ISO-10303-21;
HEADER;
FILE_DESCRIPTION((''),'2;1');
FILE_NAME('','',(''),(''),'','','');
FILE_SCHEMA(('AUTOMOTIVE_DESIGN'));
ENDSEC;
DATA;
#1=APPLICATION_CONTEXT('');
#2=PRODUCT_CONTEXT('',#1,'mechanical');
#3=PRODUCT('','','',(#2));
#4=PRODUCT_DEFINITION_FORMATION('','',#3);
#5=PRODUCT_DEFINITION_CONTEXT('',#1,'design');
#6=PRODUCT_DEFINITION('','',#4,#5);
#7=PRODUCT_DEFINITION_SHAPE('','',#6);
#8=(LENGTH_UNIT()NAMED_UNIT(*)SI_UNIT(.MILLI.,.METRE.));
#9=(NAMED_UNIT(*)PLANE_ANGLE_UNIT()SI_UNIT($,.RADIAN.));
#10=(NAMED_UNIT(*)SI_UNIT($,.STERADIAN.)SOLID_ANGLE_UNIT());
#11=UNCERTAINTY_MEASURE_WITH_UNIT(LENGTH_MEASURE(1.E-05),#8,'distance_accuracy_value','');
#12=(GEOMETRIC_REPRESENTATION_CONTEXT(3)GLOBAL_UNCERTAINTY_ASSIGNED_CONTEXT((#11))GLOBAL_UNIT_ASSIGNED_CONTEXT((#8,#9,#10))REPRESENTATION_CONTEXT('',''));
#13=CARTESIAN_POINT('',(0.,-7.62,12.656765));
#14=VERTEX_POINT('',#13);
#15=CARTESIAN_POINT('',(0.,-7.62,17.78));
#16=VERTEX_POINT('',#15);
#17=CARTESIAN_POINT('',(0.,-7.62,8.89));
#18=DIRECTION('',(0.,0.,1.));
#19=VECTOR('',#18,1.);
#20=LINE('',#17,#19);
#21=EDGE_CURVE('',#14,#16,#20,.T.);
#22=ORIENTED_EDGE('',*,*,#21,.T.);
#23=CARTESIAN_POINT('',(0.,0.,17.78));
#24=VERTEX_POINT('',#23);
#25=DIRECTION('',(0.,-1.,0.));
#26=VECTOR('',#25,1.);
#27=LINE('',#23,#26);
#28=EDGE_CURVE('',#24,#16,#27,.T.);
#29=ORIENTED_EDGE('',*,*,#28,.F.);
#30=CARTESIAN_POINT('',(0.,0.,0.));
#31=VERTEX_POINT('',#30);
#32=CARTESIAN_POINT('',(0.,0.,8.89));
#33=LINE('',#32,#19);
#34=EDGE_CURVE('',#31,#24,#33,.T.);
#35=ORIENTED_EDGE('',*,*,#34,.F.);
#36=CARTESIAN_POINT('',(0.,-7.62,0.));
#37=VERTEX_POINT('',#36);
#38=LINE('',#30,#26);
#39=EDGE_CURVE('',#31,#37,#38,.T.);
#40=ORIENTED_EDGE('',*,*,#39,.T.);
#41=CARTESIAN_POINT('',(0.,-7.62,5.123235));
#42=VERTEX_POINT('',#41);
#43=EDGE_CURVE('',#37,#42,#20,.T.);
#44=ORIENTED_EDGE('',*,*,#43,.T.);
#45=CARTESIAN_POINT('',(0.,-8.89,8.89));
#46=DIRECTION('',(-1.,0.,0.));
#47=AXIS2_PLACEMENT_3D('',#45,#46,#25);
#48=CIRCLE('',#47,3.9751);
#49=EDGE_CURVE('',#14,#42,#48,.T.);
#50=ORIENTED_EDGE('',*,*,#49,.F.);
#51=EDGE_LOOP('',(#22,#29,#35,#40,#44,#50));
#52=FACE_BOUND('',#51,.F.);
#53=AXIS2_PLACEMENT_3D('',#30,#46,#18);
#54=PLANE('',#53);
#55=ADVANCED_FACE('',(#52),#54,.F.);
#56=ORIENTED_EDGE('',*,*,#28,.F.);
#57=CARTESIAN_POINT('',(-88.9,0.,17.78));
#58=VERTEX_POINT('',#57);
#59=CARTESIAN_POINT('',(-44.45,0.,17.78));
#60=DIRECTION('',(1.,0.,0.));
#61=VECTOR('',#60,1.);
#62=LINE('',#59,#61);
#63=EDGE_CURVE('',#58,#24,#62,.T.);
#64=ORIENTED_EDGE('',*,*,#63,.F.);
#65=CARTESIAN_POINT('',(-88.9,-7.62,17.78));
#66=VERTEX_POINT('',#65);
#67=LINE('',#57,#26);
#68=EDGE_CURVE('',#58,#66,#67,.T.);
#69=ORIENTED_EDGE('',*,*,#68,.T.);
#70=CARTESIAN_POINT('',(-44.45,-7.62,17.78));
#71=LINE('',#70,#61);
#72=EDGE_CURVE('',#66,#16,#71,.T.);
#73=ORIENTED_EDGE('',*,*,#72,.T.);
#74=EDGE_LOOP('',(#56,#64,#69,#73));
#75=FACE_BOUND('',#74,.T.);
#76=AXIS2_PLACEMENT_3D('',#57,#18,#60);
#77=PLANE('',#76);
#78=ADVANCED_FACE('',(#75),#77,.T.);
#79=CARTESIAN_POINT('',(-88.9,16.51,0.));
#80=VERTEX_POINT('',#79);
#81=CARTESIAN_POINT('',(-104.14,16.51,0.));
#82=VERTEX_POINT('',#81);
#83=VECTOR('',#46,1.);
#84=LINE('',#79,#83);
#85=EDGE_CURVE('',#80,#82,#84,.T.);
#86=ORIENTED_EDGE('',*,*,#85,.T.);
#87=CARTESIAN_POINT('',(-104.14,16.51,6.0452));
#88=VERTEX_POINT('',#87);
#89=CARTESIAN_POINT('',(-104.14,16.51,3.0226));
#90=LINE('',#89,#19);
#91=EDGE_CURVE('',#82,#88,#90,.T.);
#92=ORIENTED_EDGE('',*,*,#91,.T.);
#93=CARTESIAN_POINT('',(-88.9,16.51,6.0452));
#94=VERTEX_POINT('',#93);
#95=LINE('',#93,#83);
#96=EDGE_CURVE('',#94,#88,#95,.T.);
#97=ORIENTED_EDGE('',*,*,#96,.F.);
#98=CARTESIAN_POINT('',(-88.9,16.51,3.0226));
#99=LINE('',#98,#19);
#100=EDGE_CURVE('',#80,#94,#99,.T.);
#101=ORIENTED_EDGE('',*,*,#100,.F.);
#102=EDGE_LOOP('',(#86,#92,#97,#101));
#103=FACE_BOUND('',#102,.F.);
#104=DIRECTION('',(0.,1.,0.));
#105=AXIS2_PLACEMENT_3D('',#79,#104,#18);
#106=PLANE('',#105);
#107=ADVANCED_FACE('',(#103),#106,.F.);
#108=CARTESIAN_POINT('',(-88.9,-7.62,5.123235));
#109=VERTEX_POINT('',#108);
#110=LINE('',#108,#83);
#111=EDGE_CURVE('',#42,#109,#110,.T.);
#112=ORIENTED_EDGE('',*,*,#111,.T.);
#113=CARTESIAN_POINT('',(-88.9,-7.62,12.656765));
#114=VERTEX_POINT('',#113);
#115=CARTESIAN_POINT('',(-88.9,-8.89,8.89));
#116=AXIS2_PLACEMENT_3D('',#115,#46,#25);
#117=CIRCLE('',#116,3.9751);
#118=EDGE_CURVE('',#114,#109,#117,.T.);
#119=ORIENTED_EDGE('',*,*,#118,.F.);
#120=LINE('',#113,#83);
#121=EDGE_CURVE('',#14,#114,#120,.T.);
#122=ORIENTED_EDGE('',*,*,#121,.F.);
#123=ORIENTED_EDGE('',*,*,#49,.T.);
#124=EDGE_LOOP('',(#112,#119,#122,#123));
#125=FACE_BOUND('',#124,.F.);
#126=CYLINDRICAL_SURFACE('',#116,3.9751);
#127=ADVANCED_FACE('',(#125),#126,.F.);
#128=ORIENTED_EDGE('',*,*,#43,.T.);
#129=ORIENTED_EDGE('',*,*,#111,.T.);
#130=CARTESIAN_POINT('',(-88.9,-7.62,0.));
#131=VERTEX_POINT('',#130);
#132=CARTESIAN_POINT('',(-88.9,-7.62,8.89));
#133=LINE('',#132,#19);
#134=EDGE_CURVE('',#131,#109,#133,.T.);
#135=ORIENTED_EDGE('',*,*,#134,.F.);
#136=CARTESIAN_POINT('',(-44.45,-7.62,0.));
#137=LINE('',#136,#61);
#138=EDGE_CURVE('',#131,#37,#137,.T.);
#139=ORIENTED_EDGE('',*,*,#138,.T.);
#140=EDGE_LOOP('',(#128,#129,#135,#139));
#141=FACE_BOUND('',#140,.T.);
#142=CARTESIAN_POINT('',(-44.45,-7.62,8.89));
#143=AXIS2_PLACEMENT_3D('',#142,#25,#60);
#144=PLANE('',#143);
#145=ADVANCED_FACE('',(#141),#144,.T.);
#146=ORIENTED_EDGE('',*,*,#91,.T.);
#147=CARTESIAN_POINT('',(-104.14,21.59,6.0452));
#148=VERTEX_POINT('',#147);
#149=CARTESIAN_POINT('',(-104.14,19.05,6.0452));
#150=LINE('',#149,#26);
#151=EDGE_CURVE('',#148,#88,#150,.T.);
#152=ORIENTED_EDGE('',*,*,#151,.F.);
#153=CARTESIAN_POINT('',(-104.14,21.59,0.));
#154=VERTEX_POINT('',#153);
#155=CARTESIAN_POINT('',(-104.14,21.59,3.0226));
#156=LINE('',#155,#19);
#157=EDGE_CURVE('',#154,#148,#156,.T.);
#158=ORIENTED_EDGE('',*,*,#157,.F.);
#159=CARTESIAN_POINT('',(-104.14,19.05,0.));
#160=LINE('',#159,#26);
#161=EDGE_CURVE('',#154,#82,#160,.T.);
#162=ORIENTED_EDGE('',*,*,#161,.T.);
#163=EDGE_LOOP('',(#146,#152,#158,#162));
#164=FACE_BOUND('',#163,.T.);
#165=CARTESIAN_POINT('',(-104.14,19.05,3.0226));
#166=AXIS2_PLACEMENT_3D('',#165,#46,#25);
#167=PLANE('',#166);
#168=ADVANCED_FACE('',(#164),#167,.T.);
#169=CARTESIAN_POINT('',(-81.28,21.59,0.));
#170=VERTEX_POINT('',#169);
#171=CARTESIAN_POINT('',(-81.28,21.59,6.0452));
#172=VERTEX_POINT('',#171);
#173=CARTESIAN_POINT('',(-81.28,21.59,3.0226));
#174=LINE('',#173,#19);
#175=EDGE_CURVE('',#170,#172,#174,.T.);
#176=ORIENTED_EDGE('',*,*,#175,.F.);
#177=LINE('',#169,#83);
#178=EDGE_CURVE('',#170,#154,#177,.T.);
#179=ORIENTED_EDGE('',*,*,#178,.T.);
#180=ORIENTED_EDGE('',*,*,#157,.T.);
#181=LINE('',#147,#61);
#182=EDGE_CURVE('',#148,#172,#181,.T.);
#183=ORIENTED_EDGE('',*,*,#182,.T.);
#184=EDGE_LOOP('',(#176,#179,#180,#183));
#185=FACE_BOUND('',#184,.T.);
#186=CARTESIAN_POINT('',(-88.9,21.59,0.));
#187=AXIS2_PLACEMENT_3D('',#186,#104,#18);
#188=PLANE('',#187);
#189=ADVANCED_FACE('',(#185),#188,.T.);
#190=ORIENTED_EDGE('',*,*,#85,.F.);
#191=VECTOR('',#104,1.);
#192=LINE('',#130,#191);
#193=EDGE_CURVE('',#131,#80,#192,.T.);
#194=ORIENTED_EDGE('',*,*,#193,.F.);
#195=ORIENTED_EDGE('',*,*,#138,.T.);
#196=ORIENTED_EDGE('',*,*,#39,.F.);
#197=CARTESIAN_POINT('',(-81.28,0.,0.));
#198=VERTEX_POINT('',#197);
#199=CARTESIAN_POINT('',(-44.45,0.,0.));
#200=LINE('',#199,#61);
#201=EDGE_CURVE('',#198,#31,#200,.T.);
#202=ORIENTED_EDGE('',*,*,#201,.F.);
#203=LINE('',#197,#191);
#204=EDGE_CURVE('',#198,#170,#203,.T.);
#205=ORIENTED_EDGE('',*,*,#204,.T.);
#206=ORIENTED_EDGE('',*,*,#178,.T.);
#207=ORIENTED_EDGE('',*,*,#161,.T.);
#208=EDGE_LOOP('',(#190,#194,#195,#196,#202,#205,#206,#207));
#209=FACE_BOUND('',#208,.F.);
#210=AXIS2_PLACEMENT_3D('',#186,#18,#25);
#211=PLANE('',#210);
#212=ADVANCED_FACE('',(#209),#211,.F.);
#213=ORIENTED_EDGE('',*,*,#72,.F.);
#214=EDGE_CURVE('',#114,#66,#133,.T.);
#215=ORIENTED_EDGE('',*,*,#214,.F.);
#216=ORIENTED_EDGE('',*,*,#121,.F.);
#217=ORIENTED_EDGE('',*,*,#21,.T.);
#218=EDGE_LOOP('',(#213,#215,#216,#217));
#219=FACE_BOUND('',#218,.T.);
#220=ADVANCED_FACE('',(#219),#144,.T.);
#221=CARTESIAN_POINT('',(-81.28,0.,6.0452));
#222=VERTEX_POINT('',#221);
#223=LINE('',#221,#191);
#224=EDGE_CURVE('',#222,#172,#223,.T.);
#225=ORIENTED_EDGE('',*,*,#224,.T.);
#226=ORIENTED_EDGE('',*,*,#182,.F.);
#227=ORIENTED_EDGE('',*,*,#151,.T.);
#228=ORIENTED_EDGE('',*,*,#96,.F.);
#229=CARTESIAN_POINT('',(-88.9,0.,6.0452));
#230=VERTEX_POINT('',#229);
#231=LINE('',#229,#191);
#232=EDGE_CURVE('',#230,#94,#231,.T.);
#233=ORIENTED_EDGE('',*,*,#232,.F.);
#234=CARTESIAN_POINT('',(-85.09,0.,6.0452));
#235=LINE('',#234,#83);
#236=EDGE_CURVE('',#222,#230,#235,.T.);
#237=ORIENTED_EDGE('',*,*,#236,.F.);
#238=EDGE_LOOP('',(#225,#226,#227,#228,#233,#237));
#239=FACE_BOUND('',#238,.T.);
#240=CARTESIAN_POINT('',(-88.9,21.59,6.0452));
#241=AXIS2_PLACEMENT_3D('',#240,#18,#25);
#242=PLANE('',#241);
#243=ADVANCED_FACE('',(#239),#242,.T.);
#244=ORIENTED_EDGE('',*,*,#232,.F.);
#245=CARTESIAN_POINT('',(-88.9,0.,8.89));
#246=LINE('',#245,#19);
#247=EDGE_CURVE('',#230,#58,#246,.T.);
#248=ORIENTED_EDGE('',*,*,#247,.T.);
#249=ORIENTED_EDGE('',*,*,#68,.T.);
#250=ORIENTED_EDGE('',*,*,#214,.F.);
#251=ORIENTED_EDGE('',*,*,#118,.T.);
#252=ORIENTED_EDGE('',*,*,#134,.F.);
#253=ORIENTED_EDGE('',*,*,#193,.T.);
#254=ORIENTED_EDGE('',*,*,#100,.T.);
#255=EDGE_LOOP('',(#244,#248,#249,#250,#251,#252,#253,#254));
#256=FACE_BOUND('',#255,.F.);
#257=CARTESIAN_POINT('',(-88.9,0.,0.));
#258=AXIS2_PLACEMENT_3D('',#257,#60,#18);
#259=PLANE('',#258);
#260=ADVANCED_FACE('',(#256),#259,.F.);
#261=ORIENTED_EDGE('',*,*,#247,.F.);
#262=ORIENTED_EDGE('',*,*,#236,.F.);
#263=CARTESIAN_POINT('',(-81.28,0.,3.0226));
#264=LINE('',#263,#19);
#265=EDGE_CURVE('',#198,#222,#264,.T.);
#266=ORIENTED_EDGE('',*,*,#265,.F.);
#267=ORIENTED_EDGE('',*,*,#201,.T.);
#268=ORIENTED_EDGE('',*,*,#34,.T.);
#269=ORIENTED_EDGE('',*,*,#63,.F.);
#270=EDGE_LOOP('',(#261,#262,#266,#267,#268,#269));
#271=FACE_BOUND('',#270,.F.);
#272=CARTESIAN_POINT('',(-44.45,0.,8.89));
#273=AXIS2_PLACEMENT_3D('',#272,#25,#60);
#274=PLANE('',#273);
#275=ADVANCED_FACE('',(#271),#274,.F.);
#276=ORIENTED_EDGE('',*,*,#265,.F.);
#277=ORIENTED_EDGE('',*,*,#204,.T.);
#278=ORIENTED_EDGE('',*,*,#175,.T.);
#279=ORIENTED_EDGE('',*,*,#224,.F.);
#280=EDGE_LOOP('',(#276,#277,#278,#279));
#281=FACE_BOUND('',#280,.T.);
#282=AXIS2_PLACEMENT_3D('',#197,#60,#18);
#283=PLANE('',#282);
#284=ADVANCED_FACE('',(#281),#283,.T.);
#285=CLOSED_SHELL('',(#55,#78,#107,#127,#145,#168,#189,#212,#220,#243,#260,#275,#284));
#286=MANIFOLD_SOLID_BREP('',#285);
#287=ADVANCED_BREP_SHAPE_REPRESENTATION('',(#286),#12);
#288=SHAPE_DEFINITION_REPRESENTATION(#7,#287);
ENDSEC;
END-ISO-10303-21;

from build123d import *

# Parameters (mm, degrees)
F0_W     = 88.9
F0_H     = 17.78
F1_DEPTH = 7.62
F2_R     = 3.9751
F3_DEPTH = 88.901
F4_W     = 7.62
F4_H     = 6.0452
F5_DEPTH = 21.59
F6_W     = 5.08
F6_H     = 6.0452
F7_DEPTH = 15.24


with BuildPart() as f1:
    # F0 (on Front) → F1 (new body)
    with BuildSketch(Plane.XZ):
        with Locations((-44.45, 8.89)):
            Rectangle(F0_W, F0_H)
    extrude(amount=F1_DEPTH)

    # F2 (on face) → F3 (cut, through all)
    with BuildSketch(Plane(origin=(-88.9, 0, 0), x_dir=(0, -1, 0), z_dir=(-1, 0, 0))):
        with Locations((8.89, 8.89)):
            Circle(F2_R)
    extrude(amount=-F3_DEPTH, mode=Mode.SUBTRACT)

    # F4 (on face) → F5 (join)
    with BuildSketch(Plane(origin=(0, 0, 0), x_dir=(-1, 0, 0), z_dir=(0, 1, 0))):
        with Locations((85.09, 3.0226)):
            Rectangle(F4_W, F4_H)
    extrude(amount=F5_DEPTH)

    # F6 (on face) → F7 (join)
    with BuildSketch(Plane(origin=(-88.9, 0, 0), x_dir=(0, -1, 0), z_dir=(-1, 0, 0))):
        with Locations((-19.05, 3.0226)):
            Rectangle(F6_W, F6_H)
    extrude(amount=F7_DEPTH)


solid = f1.part
